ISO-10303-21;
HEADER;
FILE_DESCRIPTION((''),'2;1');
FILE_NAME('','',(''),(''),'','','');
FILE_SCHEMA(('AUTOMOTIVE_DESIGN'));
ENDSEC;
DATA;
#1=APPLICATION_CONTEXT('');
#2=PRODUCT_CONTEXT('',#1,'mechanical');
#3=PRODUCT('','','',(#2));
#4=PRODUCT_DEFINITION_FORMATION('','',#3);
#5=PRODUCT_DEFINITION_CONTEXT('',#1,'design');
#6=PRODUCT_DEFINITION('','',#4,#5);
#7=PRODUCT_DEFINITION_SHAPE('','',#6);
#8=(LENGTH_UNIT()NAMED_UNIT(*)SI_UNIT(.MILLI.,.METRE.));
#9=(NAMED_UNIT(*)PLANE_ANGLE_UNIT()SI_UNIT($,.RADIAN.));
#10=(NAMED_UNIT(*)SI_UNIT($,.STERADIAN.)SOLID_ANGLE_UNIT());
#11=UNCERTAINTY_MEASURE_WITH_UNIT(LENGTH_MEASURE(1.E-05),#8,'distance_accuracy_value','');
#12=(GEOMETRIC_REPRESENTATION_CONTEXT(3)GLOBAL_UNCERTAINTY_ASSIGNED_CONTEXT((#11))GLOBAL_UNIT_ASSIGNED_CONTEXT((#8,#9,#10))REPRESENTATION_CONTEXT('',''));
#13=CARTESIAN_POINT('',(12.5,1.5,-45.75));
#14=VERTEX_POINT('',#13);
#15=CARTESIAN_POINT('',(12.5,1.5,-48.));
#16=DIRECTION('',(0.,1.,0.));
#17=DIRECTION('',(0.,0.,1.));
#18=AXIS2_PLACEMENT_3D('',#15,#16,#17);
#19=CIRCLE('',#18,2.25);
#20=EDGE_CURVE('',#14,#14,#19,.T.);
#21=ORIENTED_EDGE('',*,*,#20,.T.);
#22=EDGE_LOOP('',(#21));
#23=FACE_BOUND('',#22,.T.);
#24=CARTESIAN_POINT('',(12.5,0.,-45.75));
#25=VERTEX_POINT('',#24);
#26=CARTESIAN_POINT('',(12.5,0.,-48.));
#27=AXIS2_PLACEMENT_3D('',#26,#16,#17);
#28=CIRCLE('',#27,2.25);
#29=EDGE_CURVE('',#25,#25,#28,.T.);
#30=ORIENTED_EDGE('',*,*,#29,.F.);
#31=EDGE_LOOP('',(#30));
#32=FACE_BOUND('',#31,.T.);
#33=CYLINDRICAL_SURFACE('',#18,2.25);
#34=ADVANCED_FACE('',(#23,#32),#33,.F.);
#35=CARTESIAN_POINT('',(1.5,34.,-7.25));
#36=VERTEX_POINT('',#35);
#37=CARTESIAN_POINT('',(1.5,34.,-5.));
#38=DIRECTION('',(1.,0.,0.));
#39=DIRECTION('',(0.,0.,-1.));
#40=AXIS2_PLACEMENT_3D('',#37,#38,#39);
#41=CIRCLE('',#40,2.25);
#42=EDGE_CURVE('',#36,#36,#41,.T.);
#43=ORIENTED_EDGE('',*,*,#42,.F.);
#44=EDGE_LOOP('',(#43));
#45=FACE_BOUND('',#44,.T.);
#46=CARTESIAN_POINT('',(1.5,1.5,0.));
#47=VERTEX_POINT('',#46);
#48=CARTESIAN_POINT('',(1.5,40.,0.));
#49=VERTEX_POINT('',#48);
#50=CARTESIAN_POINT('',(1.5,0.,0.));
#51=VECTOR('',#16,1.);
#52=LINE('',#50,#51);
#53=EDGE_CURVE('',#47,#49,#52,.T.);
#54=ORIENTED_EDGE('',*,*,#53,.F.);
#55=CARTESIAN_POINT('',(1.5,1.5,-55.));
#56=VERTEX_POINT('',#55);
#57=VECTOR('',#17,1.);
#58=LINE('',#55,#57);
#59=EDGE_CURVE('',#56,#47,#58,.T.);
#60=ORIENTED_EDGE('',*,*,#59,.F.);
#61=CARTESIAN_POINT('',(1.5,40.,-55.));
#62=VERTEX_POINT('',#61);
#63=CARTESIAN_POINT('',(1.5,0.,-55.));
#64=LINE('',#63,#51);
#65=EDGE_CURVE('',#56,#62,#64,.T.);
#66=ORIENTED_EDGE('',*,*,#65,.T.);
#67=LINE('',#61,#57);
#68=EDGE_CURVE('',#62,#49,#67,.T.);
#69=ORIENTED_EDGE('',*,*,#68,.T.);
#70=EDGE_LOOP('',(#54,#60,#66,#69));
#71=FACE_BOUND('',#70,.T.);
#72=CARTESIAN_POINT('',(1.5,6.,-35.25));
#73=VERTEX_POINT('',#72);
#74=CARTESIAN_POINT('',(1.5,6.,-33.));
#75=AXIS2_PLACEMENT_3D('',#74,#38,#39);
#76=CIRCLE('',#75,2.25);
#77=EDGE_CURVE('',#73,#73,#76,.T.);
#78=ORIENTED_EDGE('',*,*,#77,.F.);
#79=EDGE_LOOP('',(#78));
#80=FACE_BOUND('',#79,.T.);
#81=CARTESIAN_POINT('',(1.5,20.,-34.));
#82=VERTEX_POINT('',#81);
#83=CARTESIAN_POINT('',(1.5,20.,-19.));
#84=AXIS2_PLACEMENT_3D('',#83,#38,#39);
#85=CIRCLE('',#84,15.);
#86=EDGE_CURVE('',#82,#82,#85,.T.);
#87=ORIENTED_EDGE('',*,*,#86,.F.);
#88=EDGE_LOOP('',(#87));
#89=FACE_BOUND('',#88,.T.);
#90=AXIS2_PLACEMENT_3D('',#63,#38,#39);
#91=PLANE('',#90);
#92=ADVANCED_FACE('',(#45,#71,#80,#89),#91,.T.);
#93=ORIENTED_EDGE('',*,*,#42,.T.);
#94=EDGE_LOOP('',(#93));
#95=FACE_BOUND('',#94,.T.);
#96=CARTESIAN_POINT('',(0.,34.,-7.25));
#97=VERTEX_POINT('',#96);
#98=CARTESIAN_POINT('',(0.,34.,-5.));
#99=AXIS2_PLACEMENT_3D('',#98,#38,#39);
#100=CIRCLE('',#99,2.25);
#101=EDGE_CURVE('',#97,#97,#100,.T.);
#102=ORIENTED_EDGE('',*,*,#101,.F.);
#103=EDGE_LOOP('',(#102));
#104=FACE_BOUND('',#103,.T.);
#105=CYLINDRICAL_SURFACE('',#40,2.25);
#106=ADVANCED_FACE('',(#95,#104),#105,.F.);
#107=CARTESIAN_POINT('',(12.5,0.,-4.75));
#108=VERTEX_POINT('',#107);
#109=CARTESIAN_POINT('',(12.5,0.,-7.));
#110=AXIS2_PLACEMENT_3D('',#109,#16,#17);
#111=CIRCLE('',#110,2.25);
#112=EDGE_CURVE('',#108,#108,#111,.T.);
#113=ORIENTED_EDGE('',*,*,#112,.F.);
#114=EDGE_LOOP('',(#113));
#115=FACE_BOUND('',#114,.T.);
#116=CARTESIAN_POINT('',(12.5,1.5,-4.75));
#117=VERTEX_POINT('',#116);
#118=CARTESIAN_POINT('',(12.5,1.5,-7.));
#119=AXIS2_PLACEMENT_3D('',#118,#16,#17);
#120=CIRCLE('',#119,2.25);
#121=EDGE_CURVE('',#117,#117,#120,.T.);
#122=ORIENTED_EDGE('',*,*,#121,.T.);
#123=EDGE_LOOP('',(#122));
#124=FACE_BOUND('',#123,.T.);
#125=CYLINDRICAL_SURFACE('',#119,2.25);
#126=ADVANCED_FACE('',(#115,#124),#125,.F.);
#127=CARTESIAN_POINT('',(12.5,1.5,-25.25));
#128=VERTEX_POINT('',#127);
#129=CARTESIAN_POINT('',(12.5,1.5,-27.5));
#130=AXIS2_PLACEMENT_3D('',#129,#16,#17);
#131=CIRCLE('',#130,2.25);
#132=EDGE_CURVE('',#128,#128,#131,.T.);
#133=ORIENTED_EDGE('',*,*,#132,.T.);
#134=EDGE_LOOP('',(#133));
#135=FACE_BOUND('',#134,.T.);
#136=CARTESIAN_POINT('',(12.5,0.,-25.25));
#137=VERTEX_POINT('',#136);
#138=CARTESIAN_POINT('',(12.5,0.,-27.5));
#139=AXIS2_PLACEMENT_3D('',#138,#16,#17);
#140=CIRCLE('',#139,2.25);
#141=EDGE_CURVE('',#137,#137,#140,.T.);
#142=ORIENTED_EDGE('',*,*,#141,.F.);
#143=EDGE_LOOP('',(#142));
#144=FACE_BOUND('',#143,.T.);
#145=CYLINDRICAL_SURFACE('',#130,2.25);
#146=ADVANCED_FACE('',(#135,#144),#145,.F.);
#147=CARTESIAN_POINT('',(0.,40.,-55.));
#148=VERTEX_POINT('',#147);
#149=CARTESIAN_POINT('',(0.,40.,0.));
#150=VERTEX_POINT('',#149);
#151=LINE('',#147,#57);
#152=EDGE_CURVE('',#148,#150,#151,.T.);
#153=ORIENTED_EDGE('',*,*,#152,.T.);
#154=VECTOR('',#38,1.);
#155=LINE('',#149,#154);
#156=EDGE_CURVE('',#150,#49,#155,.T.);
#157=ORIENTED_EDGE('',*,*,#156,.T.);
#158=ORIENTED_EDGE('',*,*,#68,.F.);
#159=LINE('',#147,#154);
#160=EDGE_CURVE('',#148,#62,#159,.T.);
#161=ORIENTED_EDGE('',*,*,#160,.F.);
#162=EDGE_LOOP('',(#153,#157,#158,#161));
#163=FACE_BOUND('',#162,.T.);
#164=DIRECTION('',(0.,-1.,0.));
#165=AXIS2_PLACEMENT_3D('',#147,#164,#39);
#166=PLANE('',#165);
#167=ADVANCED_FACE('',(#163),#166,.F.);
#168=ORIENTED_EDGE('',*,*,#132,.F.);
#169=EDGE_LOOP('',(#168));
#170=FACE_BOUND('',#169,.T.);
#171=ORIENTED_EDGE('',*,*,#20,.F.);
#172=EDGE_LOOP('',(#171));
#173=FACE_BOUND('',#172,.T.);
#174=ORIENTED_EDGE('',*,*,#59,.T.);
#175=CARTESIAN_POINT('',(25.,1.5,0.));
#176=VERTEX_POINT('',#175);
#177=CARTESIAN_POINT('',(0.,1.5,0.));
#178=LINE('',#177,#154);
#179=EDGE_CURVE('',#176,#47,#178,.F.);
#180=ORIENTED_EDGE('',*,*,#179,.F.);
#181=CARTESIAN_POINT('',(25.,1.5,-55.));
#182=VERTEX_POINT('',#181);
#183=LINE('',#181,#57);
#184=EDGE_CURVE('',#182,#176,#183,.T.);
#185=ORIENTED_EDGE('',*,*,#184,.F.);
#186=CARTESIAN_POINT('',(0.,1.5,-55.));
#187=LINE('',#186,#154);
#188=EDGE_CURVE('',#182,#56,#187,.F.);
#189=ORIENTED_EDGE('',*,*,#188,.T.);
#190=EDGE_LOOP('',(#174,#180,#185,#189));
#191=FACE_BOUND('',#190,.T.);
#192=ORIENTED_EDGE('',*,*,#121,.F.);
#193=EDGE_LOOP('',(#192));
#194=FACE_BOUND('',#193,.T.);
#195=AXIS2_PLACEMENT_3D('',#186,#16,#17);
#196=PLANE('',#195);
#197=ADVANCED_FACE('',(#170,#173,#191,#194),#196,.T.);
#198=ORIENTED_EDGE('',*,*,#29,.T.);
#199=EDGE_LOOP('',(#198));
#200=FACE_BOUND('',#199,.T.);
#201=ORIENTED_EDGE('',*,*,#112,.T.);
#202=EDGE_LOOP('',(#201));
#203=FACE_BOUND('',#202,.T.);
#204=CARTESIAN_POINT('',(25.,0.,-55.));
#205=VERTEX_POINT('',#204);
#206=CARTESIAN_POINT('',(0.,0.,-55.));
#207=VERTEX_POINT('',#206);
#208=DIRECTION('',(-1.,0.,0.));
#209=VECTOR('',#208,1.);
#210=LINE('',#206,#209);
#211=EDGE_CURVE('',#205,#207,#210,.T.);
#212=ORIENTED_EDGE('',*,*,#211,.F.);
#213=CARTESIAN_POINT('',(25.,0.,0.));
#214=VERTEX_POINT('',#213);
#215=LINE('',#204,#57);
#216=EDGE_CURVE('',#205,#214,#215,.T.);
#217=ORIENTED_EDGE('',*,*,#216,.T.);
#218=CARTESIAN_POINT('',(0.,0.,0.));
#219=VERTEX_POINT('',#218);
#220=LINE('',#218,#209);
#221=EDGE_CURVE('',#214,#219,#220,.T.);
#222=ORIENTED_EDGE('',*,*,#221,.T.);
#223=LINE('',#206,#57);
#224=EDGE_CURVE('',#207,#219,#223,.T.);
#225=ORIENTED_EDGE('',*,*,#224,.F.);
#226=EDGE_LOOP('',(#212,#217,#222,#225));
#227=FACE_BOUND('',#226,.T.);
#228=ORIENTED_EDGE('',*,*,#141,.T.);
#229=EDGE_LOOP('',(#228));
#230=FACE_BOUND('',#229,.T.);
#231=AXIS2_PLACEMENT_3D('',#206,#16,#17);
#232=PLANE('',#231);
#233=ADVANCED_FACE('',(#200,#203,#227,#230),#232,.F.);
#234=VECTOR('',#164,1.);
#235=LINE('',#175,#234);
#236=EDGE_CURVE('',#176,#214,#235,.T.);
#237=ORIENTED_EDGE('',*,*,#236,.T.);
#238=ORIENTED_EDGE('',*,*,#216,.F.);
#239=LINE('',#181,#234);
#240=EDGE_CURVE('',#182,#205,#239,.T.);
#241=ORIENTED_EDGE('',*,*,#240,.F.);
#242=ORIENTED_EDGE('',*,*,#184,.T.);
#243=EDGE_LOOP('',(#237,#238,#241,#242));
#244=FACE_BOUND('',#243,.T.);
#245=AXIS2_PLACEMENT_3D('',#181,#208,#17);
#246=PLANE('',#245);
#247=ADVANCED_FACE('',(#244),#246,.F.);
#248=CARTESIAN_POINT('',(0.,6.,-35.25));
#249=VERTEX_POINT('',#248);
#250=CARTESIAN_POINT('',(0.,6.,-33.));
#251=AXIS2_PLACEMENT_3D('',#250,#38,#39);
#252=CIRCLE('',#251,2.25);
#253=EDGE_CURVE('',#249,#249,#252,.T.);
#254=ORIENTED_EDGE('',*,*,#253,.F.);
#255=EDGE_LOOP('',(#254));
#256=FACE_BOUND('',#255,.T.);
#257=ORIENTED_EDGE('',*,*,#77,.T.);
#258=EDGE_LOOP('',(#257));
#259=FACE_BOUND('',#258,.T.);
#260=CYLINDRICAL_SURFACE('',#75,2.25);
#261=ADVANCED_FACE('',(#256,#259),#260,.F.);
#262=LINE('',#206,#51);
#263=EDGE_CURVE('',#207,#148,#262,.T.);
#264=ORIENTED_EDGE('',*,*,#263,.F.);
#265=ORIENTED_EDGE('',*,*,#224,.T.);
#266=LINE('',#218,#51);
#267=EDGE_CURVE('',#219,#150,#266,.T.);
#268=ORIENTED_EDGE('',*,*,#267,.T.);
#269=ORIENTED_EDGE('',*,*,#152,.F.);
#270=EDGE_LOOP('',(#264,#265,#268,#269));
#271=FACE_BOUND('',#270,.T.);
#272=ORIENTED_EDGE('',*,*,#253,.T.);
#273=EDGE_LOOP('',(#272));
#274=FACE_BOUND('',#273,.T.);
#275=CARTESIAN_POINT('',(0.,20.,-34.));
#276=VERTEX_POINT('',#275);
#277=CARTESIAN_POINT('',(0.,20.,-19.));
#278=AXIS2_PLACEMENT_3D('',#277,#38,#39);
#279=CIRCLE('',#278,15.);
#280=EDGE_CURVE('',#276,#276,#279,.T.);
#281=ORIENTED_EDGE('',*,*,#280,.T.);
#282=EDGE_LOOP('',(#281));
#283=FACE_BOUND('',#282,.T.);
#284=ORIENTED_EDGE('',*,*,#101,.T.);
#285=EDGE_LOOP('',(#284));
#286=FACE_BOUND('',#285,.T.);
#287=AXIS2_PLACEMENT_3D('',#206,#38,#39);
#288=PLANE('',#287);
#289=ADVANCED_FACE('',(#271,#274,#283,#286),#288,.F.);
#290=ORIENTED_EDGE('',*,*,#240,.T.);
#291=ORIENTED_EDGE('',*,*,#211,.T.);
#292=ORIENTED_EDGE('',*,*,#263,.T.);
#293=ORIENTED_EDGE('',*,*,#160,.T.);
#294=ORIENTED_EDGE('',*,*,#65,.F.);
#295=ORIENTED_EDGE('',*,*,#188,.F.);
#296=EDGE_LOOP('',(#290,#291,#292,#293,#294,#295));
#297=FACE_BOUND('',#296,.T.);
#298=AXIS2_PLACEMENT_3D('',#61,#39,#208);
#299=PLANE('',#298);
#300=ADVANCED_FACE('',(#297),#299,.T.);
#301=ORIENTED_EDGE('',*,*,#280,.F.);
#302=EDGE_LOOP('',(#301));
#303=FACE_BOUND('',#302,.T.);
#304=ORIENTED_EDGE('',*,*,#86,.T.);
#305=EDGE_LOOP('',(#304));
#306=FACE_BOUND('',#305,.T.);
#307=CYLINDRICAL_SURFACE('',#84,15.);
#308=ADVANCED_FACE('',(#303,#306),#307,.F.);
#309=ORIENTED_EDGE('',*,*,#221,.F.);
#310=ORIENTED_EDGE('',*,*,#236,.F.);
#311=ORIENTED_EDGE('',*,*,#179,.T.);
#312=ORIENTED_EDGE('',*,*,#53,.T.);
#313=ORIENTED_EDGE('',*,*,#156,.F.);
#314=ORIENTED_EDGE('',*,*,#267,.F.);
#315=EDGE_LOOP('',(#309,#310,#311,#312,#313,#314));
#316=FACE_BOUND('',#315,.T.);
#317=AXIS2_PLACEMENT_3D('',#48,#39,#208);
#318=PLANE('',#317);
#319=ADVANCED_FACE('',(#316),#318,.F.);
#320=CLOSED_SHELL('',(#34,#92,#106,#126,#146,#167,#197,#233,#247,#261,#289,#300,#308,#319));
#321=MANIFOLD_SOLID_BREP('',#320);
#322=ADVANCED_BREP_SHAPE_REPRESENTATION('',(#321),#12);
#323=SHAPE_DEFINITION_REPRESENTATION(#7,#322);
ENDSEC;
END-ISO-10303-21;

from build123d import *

# Parameters (mm, degrees)
EXTRU_MINCE1_DEPTH    = 55
D_GAGEMENT_M41_D      = 4.5
D_GAGEMENT_M42_D      = 4.5
D_GAGEMENT_M271_D     = 30
D_GAGEMENT_M271_DEPTH = 1.5
D_GAGEMENT_M271_TIP   = 9.012909285


with BuildPart() as part:
    # Esquisse1 → Extru.-Mince1 (new body)
    with BuildSketch(Plane.XY):
        Polygon((0, 40), (0, 0), (25, 0), (25, 1.5), (1.5, 1.5), (1.5, 40), align=None)
    extrude(amount=-EXTRU_MINCE1_DEPTH)

    # Dégagement M41 (through all)
    with Locations(Plane(origin=(0, 1.5, 0), x_dir=(-1, 0, 0), z_dir=(0, 1, 0))):
        with Locations((-12.5, -7), (-12.5, -27.5), (-12.5, -48)):
            Hole(D_GAGEMENT_M41_D / 2)

    # Dégagement M42 (through all)
    with Locations(Plane(origin=(1.5, 0, 0), x_dir=(0, 0, -1), z_dir=(1, 0, 0))):
        with Locations((5, 34), (33, 6)):
            Hole(D_GAGEMENT_M42_D / 2)

    # Dégagement M271
    with Locations(Plane(origin=(1.5, 0, 0), x_dir=(0, 0, -1), z_dir=(1, 0, 0))):
        with Locations((19, 20)):
            Hole(D_GAGEMENT_M271_D / 2, depth=D_GAGEMENT_M271_DEPTH)
            with Locations((0, 0, -(D_GAGEMENT_M271_DEPTH + D_GAGEMENT_M271_TIP / 2))):  # 118° drill point
                Cone(0, D_GAGEMENT_M271_D / 2, D_GAGEMENT_M271_TIP, mode=Mode.SUBTRACT)


solid = part.part
